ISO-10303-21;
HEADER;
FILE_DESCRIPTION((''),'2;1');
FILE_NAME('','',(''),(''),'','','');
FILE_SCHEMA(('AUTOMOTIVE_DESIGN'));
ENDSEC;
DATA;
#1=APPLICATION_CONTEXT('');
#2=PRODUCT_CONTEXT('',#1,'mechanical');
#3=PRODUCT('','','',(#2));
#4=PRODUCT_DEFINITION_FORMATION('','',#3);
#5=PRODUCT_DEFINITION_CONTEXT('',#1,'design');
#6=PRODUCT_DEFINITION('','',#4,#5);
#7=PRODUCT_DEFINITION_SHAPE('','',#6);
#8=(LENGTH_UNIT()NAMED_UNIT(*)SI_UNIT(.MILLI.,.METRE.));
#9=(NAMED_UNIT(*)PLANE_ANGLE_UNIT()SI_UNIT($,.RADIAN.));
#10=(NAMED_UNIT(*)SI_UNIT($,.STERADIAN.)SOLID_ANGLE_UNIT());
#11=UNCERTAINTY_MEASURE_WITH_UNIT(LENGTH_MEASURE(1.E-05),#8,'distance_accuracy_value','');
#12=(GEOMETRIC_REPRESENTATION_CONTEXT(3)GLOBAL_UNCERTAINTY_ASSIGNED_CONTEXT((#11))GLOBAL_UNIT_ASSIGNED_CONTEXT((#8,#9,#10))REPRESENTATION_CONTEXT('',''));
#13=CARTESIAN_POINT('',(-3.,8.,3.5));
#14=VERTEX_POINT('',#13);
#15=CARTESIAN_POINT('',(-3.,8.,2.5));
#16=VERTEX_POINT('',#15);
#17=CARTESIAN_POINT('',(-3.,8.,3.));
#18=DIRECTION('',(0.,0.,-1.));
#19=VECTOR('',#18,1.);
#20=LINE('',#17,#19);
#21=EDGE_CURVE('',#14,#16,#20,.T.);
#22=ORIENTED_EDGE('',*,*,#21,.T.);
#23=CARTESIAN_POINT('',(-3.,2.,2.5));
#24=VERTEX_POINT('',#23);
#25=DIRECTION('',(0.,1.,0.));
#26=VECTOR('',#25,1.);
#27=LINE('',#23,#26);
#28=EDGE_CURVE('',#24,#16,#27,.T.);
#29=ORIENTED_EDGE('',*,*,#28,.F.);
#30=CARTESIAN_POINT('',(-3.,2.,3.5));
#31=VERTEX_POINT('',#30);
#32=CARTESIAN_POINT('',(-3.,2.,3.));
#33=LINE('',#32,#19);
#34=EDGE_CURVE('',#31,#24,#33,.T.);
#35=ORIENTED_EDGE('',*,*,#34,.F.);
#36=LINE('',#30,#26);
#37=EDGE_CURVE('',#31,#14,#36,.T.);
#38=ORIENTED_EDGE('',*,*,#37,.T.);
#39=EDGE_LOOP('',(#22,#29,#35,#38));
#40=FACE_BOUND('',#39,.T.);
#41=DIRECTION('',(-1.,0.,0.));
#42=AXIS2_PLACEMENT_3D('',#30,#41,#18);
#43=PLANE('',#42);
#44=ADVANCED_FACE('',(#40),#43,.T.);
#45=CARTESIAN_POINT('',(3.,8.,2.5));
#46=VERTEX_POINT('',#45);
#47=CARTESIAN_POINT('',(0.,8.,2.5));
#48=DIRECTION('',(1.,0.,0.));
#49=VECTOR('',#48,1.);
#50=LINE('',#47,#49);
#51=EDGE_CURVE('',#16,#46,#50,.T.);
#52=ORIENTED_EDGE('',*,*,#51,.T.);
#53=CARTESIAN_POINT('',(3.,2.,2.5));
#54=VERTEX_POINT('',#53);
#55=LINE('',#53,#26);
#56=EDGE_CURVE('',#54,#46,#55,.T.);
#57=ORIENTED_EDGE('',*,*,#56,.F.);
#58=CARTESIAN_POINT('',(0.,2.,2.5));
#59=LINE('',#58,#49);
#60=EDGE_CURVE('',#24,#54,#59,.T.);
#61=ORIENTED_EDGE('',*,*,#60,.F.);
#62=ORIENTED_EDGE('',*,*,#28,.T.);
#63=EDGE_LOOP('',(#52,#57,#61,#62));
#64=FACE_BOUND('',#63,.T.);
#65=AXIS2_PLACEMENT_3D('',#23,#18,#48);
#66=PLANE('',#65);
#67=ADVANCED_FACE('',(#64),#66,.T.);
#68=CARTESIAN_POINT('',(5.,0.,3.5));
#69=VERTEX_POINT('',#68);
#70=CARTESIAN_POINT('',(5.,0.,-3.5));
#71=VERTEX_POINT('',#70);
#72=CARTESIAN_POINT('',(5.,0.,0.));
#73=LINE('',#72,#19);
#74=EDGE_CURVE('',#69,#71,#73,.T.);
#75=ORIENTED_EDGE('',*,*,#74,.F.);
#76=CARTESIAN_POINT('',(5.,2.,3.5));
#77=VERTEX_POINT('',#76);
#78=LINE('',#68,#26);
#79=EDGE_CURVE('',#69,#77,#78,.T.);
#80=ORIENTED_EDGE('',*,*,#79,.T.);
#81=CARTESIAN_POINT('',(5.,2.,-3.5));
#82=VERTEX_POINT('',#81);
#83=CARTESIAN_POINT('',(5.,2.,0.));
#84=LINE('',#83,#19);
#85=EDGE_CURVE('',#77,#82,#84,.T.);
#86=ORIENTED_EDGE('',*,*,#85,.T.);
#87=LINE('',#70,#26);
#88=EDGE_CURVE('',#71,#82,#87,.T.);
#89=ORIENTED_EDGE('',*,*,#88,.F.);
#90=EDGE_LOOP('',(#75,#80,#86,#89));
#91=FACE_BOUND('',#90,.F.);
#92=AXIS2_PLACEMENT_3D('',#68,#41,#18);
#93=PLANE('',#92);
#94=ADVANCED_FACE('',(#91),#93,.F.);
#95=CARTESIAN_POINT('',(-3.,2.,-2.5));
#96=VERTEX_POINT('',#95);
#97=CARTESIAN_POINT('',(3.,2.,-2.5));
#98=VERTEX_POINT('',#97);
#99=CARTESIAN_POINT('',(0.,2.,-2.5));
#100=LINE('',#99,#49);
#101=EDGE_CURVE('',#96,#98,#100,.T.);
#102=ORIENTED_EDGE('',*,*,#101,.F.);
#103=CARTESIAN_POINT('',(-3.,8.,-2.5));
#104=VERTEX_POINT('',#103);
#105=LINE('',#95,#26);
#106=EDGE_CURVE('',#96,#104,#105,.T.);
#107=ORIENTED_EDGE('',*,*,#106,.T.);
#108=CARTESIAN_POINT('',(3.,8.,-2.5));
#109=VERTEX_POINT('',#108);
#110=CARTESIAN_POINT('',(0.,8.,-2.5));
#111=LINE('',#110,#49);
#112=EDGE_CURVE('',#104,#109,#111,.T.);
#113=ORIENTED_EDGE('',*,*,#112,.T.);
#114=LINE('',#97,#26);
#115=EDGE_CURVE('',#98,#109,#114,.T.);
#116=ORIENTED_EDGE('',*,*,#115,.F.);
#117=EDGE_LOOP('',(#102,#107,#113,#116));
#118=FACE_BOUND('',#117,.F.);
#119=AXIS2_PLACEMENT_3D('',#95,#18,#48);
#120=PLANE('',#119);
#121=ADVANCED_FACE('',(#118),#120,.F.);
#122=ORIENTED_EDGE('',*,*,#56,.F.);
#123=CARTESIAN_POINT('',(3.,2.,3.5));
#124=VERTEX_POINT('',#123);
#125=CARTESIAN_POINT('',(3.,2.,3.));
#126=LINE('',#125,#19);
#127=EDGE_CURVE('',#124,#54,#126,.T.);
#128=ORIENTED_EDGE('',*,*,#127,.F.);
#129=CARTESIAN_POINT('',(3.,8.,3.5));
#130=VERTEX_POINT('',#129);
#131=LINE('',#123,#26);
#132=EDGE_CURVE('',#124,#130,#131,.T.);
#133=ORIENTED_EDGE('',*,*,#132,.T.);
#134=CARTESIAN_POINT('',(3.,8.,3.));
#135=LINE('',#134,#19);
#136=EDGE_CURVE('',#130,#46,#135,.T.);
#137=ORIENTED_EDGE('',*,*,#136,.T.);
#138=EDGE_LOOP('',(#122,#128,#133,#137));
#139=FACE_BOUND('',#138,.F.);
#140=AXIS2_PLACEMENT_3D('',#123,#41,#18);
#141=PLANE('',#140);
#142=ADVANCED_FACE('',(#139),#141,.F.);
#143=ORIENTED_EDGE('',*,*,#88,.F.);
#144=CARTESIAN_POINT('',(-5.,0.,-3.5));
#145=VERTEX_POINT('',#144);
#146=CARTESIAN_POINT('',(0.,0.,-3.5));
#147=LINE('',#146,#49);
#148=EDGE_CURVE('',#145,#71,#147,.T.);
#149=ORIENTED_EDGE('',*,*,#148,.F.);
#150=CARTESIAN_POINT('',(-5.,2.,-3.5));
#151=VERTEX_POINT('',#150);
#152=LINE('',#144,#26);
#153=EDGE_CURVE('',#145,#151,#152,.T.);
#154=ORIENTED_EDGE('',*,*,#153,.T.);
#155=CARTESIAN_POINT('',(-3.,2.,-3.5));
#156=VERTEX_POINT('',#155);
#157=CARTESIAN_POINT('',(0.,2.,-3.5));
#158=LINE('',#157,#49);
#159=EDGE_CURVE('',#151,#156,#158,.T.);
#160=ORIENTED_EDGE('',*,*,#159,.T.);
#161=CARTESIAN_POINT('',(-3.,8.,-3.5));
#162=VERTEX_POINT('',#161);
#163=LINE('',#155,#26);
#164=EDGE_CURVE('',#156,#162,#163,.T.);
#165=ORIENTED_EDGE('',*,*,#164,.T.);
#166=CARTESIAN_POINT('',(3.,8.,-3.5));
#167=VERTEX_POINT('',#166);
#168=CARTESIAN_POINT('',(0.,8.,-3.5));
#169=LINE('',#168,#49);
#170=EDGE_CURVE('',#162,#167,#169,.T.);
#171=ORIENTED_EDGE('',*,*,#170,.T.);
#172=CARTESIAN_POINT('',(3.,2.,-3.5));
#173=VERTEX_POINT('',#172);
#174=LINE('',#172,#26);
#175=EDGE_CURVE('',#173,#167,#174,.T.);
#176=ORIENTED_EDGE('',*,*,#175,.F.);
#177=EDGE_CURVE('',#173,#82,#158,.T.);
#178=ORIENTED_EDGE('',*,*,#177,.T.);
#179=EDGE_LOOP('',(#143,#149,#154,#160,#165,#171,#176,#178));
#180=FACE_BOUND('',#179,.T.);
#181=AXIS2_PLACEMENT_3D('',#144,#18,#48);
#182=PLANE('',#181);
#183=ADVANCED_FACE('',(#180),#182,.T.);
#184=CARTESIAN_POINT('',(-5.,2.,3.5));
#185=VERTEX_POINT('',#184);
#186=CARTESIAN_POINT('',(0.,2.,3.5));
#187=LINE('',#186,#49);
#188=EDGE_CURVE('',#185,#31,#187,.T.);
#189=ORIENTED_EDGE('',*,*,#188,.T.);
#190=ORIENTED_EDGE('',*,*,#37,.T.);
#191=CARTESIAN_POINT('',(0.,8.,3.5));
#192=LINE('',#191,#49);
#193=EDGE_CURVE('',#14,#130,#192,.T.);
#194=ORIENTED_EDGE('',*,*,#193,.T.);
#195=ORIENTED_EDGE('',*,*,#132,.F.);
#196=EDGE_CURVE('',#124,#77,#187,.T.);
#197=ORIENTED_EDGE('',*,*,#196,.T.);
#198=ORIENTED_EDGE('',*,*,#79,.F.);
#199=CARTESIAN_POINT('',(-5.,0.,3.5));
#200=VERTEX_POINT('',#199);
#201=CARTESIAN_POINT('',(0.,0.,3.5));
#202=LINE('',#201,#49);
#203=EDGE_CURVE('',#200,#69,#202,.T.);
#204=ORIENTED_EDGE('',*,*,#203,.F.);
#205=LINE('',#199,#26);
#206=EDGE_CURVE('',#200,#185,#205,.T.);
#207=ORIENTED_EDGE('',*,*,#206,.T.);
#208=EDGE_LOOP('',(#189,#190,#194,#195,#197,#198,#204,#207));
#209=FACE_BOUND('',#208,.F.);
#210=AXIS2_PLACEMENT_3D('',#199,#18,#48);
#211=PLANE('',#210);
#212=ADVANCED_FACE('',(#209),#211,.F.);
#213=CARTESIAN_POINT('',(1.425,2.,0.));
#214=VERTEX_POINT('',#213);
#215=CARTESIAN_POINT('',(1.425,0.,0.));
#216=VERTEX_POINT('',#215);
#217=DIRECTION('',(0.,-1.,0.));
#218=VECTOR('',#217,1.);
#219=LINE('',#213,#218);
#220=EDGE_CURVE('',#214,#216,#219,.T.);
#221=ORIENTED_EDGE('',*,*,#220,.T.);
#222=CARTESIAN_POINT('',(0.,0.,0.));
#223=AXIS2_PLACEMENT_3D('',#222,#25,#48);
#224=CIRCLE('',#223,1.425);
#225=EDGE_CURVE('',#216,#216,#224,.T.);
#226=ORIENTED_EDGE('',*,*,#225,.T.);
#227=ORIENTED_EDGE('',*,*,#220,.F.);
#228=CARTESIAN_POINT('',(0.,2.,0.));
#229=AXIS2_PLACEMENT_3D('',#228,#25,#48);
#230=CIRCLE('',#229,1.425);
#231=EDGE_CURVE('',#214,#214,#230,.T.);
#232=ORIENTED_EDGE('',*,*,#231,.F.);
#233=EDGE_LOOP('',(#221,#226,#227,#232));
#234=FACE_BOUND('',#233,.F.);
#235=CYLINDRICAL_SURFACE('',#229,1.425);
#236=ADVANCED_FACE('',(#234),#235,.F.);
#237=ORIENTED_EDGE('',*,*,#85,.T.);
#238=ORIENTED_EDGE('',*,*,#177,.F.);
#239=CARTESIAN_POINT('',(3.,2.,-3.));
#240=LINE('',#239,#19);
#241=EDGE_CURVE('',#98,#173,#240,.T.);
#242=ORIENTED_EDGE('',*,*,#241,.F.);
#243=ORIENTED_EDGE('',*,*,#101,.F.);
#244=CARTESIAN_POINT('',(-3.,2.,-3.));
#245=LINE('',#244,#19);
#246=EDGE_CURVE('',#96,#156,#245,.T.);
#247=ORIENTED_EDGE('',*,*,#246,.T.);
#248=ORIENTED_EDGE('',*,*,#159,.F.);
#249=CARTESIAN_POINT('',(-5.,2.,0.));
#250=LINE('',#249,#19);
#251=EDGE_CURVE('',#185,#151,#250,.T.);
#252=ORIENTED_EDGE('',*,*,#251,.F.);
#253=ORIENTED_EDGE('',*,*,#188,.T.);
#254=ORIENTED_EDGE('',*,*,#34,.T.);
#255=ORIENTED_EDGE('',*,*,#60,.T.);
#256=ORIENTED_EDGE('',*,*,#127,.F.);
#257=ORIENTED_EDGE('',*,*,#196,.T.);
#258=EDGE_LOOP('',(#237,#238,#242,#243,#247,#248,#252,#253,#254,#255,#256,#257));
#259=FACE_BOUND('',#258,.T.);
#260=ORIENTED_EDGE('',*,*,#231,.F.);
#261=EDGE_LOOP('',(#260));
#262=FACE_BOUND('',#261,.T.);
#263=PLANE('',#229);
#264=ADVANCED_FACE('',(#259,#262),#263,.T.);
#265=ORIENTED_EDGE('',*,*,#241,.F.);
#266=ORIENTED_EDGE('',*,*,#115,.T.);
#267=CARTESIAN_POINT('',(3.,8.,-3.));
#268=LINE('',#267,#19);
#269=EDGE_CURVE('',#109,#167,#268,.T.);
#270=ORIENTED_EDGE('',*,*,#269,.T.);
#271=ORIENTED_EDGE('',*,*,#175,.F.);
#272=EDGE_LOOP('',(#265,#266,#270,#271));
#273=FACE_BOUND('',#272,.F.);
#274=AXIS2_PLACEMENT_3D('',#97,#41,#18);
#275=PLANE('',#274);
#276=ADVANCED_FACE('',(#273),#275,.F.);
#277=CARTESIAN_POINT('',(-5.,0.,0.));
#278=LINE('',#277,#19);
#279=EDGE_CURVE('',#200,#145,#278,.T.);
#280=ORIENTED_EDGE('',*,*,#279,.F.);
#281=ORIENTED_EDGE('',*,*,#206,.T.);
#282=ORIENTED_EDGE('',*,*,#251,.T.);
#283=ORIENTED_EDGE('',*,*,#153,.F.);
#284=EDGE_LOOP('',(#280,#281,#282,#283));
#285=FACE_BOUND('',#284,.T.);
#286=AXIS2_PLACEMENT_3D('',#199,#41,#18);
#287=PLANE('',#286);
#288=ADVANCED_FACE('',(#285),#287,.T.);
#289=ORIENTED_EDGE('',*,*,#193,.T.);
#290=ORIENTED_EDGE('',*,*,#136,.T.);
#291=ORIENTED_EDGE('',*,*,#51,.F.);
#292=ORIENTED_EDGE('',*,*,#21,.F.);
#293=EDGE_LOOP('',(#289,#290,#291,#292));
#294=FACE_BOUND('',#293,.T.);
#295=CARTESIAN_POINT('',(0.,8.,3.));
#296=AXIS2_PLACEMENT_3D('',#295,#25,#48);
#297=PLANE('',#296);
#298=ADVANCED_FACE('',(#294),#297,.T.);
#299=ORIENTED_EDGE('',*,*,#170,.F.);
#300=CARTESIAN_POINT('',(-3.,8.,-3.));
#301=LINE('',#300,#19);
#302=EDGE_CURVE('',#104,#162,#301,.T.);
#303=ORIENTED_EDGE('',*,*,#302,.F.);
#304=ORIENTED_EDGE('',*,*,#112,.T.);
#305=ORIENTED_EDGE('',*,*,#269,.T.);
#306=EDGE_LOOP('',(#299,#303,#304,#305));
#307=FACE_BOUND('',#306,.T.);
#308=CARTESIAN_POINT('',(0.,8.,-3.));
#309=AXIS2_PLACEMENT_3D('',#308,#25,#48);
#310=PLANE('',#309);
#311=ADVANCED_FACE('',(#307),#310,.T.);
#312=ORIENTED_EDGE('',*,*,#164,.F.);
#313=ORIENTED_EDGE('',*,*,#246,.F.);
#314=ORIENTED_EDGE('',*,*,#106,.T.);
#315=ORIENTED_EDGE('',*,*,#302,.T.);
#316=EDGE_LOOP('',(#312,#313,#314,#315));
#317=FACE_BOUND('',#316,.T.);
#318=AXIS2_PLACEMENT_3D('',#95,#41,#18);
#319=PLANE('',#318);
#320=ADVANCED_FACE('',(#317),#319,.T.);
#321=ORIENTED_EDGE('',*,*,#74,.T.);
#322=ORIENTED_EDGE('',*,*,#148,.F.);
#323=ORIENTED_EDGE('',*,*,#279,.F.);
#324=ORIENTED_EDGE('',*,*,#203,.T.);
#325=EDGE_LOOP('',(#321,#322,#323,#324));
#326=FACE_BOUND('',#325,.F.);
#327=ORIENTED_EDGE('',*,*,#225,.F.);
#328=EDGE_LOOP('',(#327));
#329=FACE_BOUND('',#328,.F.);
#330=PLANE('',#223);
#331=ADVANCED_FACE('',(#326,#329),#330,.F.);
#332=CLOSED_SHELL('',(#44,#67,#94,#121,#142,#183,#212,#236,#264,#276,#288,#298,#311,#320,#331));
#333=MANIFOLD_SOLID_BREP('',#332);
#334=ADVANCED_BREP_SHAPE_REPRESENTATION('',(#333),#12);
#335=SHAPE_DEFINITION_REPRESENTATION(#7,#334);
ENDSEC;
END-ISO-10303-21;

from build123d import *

# Parameters (mm, degrees)
SKETCH1_W           = 10
SKETCH1_H           = 7
BOSS_EXTRUDE1_DEPTH = 2
SKETCH2_R           = 1.425
CUT_EXTRUDE1_DEPTH  = 3
SKETCH3_W           = 6
SKETCH3_H           = 1
BOSS_EXTRUDE2_DEPTH = 6


with BuildPart() as part:
    # Sketch1 → Boss-Extrude1 (new body)
    with BuildSketch(Plane(origin=(0, 0, 0), x_dir=(1, 0, 0), z_dir=(0, 1, 0))):
        Rectangle(SKETCH1_W, SKETCH1_H)
    extrude(amount=BOSS_EXTRUDE1_DEPTH)

    # Sketch2 → Cut-Extrude1 (cut, through all)
    with BuildSketch(Plane(origin=(0, 2, 0), x_dir=(1, 0, 0), z_dir=(0, 1, 0))):
        Circle(SKETCH2_R)
    extrude(amount=-CUT_EXTRUDE1_DEPTH, mode=Mode.SUBTRACT)

    # Sketch3 → Boss-Extrude2 (add)
    with BuildSketch(Plane(origin=(0, 2, 0), x_dir=(1, 0, 0), z_dir=(0, 1, 0))):
        with Locations((0, 3)):
            Rectangle(SKETCH3_W, SKETCH3_H)
        with Locations((0, -3)):
            Rectangle(SKETCH3_W, SKETCH3_H)
    extrude(amount=BOSS_EXTRUDE2_DEPTH)


solid = part.part
